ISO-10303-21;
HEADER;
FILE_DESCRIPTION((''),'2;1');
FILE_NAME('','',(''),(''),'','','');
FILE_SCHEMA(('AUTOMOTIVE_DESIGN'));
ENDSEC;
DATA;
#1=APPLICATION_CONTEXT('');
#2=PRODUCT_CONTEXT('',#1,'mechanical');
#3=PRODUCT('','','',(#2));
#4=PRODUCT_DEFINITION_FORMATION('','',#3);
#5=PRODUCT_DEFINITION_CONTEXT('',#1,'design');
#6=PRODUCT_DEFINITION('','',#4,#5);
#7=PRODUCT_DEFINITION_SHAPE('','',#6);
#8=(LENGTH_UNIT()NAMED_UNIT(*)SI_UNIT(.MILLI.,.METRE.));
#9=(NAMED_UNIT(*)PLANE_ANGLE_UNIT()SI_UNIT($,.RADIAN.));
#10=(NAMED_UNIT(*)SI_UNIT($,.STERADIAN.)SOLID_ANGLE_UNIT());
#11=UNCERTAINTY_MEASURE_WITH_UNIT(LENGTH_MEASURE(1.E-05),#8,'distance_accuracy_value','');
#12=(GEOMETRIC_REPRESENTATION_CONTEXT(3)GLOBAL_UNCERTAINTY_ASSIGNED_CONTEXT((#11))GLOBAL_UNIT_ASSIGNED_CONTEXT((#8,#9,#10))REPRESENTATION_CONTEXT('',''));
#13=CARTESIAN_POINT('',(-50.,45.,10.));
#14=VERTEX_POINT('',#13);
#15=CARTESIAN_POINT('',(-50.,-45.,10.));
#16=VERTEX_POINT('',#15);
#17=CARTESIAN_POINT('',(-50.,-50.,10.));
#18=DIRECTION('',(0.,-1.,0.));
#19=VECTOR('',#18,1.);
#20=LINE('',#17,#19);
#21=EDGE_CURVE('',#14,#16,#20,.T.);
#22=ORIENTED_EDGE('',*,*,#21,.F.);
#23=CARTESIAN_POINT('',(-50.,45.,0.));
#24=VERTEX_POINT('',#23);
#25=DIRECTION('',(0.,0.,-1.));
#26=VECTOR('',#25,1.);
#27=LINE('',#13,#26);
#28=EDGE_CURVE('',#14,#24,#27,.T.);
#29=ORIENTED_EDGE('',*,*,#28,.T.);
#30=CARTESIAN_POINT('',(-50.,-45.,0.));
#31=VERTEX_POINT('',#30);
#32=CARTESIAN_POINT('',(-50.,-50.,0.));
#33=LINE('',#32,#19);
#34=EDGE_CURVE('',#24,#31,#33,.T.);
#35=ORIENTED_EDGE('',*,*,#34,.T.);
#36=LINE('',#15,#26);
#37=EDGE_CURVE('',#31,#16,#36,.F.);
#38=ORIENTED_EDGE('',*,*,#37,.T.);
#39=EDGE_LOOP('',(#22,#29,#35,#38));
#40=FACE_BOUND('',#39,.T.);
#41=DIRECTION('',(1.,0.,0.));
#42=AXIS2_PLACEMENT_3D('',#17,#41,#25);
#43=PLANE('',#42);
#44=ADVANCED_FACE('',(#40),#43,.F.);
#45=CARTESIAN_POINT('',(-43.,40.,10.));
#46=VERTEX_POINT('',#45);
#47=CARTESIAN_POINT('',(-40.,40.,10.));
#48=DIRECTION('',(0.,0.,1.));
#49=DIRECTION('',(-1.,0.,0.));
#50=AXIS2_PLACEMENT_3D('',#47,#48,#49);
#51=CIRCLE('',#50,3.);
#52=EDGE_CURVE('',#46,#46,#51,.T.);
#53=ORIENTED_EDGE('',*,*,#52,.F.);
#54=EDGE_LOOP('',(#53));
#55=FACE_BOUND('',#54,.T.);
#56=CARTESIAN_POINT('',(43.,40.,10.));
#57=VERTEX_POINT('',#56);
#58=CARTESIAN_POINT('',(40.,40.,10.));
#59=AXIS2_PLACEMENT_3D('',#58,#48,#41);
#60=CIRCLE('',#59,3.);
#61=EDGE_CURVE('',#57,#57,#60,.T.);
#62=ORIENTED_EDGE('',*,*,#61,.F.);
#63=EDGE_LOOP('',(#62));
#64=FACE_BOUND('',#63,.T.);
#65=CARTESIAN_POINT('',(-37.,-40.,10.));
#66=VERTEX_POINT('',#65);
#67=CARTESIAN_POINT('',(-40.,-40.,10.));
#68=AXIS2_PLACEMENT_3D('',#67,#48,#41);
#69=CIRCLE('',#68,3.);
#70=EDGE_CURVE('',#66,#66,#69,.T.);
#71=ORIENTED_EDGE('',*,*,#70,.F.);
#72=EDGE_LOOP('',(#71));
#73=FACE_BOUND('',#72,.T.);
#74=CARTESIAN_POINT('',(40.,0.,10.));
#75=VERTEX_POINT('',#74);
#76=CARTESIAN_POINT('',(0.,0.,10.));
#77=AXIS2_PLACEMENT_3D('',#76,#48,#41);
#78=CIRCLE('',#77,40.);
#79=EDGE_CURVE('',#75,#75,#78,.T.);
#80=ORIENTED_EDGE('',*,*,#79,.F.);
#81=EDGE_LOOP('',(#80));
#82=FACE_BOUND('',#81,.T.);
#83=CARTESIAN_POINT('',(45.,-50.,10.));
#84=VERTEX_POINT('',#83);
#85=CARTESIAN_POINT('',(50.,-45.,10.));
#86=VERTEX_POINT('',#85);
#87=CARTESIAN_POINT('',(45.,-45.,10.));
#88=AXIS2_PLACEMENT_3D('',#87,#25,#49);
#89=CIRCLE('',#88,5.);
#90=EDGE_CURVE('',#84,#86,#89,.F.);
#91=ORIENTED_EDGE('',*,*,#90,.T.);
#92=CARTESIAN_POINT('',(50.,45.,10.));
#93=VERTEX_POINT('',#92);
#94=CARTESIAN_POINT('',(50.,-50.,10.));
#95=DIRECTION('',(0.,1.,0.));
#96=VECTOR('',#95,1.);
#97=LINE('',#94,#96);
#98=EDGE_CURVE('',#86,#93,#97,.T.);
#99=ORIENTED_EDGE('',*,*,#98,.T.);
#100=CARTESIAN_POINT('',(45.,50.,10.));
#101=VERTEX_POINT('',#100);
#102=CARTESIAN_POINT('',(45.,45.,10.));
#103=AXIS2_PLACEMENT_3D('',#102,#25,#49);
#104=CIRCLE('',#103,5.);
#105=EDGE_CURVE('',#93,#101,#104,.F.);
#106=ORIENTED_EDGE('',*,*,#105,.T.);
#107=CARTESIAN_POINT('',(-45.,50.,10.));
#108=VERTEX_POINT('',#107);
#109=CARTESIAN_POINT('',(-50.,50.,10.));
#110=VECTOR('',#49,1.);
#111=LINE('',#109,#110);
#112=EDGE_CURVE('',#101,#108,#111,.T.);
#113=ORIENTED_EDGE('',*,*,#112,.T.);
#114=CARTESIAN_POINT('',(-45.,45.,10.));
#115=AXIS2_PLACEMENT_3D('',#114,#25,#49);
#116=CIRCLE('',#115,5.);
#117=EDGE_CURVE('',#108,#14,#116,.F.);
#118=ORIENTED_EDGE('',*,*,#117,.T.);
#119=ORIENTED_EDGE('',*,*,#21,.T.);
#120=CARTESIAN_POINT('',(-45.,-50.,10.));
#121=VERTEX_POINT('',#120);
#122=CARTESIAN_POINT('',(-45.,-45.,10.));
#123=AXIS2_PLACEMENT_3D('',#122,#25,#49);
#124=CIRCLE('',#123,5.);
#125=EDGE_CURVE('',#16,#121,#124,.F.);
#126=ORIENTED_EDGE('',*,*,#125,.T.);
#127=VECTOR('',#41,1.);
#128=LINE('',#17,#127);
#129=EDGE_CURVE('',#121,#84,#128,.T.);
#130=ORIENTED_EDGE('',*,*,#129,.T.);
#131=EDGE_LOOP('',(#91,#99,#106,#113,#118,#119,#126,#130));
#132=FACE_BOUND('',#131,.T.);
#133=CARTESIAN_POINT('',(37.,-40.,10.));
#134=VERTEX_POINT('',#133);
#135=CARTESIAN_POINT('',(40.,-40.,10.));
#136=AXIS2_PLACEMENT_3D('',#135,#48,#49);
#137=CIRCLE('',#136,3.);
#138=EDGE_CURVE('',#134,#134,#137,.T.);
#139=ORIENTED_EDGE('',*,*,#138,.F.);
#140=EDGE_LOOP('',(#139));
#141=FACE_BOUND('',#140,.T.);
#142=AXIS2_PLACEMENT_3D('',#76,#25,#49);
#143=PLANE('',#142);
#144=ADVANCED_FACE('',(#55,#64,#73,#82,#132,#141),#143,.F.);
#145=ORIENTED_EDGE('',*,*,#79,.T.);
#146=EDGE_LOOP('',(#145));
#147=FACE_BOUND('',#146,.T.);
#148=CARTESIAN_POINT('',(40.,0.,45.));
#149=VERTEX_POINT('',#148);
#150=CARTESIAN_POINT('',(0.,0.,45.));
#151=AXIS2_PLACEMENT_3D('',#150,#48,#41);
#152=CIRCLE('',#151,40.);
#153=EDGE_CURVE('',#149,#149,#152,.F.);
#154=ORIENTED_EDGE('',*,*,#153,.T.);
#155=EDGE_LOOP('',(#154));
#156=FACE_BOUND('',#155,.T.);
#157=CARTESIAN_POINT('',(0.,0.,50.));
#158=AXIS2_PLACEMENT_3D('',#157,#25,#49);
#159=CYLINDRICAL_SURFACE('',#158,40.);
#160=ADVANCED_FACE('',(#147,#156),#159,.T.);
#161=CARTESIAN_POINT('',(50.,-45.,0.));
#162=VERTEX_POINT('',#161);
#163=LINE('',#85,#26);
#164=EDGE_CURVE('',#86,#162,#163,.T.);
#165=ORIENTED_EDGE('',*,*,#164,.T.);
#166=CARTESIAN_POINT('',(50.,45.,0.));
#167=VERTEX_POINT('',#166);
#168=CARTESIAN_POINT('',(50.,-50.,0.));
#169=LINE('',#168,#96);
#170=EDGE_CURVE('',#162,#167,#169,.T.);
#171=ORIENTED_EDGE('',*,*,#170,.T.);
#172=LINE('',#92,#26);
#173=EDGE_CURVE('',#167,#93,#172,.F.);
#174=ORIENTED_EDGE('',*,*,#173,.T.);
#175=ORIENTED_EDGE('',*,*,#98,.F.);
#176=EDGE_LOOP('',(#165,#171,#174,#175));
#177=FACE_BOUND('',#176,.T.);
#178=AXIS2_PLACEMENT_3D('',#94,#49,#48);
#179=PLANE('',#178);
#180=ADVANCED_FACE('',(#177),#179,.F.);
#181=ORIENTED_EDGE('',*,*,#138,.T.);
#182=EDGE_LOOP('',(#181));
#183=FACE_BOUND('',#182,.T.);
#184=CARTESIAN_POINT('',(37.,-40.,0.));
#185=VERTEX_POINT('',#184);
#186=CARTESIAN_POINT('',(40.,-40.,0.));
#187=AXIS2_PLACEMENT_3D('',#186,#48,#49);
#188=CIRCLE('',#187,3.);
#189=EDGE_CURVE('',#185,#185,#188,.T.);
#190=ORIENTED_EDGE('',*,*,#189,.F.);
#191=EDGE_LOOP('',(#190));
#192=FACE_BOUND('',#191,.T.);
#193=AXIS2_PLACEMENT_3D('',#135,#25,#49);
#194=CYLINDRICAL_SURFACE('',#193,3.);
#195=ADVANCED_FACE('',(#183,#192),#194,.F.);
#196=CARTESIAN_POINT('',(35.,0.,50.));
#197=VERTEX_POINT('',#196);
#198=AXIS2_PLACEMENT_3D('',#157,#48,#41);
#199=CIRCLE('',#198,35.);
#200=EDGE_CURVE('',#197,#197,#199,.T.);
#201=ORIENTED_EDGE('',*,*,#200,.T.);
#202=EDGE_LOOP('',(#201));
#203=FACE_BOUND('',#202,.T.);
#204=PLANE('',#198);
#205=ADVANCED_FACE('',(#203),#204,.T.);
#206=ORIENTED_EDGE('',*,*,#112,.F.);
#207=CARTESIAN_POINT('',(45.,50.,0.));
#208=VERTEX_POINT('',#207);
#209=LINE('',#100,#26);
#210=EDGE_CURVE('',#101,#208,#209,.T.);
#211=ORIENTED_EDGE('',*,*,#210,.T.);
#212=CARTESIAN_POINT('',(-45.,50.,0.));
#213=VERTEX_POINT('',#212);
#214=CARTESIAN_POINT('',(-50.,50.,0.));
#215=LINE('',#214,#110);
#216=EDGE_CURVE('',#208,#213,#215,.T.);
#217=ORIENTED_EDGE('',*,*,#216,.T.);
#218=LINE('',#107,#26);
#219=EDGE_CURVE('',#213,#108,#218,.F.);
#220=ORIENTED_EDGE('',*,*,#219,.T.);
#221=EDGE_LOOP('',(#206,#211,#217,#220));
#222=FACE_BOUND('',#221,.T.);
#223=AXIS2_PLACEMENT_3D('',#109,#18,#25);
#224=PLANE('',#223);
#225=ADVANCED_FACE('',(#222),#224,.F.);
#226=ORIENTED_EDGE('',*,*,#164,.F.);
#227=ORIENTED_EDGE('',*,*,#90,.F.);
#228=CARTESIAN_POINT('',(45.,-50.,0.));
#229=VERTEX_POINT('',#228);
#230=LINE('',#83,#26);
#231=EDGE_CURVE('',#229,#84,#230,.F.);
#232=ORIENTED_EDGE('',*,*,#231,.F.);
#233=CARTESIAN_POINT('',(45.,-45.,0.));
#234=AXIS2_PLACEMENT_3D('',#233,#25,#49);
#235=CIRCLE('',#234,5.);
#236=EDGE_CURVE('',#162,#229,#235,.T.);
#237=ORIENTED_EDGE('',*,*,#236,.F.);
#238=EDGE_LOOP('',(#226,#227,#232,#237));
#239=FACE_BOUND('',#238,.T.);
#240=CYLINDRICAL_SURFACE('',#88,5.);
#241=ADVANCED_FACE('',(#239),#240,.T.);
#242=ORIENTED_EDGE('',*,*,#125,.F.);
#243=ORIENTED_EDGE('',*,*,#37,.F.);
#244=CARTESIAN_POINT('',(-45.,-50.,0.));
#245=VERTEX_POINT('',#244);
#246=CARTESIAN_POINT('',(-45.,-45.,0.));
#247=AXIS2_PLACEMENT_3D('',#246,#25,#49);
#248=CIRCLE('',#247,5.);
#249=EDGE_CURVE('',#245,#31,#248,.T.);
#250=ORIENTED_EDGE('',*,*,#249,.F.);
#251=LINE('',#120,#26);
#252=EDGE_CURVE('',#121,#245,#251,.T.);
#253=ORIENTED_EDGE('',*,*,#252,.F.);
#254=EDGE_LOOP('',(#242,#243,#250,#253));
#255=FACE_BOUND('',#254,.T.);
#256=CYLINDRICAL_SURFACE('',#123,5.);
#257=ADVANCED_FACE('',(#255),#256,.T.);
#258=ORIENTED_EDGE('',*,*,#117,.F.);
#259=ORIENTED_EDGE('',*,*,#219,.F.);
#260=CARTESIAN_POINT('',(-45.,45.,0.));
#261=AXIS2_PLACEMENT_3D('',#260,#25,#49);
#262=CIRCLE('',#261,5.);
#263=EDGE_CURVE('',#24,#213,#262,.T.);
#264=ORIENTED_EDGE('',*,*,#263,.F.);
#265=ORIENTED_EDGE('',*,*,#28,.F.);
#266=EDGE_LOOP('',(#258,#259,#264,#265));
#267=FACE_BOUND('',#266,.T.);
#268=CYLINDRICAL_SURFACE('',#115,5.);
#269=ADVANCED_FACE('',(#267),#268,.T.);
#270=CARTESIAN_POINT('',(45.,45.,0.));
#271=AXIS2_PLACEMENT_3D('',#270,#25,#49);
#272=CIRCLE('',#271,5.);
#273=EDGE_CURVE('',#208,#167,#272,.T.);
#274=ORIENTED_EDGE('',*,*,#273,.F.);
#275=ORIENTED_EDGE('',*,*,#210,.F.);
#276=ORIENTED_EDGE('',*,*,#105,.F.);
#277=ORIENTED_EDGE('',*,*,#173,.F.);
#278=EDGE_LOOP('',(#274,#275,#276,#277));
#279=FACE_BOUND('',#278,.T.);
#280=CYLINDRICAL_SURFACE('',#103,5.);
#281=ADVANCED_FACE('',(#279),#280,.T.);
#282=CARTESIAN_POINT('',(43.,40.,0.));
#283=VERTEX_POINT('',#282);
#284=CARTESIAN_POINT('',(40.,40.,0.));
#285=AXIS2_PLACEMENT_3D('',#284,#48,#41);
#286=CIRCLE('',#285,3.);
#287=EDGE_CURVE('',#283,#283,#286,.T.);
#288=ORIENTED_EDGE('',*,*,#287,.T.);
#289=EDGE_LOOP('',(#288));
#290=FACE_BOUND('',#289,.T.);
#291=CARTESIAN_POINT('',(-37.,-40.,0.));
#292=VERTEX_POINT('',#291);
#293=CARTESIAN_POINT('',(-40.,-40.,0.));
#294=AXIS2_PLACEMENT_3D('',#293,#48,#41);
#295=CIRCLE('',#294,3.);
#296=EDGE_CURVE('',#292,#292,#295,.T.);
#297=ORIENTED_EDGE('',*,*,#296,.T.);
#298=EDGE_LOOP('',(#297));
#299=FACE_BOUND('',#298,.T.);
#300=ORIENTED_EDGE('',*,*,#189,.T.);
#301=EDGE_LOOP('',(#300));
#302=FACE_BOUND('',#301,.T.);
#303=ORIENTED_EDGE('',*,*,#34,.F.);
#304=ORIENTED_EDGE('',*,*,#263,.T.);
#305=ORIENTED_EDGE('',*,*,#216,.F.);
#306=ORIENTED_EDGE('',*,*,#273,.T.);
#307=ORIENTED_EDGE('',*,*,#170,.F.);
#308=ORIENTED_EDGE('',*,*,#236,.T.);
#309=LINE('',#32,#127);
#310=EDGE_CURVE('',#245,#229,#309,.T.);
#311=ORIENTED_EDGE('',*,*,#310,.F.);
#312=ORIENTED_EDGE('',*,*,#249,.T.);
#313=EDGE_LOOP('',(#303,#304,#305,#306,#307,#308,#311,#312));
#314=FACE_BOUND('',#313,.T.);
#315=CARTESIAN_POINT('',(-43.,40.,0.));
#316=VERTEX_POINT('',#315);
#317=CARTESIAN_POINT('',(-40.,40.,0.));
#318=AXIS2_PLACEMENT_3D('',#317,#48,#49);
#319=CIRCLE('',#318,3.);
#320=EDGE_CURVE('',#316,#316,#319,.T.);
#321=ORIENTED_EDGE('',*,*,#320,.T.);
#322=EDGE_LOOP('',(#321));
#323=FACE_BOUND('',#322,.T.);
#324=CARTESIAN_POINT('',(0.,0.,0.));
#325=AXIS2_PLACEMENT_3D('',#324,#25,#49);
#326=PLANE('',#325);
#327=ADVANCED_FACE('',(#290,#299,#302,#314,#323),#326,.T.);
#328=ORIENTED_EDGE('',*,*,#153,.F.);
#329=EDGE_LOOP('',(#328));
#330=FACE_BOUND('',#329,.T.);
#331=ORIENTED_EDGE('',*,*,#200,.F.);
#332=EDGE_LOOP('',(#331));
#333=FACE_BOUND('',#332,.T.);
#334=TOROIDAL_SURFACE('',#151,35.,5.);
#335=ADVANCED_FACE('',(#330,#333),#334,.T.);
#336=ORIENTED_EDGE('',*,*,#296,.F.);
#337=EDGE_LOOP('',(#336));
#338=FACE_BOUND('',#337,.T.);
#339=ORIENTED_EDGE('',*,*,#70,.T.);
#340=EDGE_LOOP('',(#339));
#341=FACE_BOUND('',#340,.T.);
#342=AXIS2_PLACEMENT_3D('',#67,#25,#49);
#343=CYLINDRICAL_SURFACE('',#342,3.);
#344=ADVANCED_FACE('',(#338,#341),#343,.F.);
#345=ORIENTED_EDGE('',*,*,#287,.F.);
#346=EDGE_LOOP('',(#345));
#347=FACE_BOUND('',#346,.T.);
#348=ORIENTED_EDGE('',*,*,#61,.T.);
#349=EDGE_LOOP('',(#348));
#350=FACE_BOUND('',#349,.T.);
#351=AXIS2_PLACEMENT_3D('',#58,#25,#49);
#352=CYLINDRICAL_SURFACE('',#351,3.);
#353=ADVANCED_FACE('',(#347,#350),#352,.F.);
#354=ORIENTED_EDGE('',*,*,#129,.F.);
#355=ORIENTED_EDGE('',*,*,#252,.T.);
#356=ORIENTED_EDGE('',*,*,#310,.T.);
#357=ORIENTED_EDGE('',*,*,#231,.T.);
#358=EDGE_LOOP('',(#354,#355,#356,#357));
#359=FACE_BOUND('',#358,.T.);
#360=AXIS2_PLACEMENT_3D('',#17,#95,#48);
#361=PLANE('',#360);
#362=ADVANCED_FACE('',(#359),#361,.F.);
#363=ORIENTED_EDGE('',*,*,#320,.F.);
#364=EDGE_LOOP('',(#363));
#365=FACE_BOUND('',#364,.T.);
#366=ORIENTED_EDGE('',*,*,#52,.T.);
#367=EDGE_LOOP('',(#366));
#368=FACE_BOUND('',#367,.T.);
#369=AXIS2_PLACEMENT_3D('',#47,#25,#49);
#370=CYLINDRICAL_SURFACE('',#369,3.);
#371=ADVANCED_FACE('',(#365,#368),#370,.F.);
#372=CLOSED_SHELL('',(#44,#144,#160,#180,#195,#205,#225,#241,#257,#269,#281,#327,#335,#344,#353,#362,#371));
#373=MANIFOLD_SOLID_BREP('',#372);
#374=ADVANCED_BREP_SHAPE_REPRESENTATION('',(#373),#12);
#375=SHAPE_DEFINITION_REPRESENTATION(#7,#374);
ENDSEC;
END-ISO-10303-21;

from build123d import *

# Parameters (mm, degrees)
SKETCH1_W           = 100
SKETCH1_H           = 100
SKETCH1_R           = 3
BOSS_EXTRUDE1_DEPTH = 10
SKETCH2_R           = 40
BOSS_EXTRUDE2_DEPTH = 40
FILLET1_R           = 5


with BuildPart() as part:
    # Sketch1 → Boss-Extrude1 (new body)
    with BuildSketch(Plane.XY):
        Rectangle(SKETCH1_W, SKETCH1_H)
        with Locations((40, 40)):
            Circle(SKETCH1_R, mode=Mode.SUBTRACT)
        with Locations(Location((-40, 40, 0), (0, 0, 180))):
            Circle(SKETCH1_R, mode=Mode.SUBTRACT)
        with Locations((-40, -40)):
            Circle(SKETCH1_R, mode=Mode.SUBTRACT)
        with Locations(Location((40, -40, 0), (0, 0, 180))):
            Circle(SKETCH1_R, mode=Mode.SUBTRACT)
    extrude(amount=BOSS_EXTRUDE1_DEPTH)

    # Sketch2 → Boss-Extrude2 (add)
    with BuildSketch(Plane.XY.offset(10)):
        Circle(SKETCH2_R)
    extrude(amount=BOSS_EXTRUDE2_DEPTH)

    # Fillet1
    fillet1_edges = [part.edges().sort_by_distance(p)[0] for p in [
        (-40, 0, 50),
        (50, -50, 5),
        (-50, -50, 5),
        (-50, 50, 5),
        (50, 50, 5),
    ]]
    fillet(fillet1_edges, radius=FILLET1_R)


solid = part.part
